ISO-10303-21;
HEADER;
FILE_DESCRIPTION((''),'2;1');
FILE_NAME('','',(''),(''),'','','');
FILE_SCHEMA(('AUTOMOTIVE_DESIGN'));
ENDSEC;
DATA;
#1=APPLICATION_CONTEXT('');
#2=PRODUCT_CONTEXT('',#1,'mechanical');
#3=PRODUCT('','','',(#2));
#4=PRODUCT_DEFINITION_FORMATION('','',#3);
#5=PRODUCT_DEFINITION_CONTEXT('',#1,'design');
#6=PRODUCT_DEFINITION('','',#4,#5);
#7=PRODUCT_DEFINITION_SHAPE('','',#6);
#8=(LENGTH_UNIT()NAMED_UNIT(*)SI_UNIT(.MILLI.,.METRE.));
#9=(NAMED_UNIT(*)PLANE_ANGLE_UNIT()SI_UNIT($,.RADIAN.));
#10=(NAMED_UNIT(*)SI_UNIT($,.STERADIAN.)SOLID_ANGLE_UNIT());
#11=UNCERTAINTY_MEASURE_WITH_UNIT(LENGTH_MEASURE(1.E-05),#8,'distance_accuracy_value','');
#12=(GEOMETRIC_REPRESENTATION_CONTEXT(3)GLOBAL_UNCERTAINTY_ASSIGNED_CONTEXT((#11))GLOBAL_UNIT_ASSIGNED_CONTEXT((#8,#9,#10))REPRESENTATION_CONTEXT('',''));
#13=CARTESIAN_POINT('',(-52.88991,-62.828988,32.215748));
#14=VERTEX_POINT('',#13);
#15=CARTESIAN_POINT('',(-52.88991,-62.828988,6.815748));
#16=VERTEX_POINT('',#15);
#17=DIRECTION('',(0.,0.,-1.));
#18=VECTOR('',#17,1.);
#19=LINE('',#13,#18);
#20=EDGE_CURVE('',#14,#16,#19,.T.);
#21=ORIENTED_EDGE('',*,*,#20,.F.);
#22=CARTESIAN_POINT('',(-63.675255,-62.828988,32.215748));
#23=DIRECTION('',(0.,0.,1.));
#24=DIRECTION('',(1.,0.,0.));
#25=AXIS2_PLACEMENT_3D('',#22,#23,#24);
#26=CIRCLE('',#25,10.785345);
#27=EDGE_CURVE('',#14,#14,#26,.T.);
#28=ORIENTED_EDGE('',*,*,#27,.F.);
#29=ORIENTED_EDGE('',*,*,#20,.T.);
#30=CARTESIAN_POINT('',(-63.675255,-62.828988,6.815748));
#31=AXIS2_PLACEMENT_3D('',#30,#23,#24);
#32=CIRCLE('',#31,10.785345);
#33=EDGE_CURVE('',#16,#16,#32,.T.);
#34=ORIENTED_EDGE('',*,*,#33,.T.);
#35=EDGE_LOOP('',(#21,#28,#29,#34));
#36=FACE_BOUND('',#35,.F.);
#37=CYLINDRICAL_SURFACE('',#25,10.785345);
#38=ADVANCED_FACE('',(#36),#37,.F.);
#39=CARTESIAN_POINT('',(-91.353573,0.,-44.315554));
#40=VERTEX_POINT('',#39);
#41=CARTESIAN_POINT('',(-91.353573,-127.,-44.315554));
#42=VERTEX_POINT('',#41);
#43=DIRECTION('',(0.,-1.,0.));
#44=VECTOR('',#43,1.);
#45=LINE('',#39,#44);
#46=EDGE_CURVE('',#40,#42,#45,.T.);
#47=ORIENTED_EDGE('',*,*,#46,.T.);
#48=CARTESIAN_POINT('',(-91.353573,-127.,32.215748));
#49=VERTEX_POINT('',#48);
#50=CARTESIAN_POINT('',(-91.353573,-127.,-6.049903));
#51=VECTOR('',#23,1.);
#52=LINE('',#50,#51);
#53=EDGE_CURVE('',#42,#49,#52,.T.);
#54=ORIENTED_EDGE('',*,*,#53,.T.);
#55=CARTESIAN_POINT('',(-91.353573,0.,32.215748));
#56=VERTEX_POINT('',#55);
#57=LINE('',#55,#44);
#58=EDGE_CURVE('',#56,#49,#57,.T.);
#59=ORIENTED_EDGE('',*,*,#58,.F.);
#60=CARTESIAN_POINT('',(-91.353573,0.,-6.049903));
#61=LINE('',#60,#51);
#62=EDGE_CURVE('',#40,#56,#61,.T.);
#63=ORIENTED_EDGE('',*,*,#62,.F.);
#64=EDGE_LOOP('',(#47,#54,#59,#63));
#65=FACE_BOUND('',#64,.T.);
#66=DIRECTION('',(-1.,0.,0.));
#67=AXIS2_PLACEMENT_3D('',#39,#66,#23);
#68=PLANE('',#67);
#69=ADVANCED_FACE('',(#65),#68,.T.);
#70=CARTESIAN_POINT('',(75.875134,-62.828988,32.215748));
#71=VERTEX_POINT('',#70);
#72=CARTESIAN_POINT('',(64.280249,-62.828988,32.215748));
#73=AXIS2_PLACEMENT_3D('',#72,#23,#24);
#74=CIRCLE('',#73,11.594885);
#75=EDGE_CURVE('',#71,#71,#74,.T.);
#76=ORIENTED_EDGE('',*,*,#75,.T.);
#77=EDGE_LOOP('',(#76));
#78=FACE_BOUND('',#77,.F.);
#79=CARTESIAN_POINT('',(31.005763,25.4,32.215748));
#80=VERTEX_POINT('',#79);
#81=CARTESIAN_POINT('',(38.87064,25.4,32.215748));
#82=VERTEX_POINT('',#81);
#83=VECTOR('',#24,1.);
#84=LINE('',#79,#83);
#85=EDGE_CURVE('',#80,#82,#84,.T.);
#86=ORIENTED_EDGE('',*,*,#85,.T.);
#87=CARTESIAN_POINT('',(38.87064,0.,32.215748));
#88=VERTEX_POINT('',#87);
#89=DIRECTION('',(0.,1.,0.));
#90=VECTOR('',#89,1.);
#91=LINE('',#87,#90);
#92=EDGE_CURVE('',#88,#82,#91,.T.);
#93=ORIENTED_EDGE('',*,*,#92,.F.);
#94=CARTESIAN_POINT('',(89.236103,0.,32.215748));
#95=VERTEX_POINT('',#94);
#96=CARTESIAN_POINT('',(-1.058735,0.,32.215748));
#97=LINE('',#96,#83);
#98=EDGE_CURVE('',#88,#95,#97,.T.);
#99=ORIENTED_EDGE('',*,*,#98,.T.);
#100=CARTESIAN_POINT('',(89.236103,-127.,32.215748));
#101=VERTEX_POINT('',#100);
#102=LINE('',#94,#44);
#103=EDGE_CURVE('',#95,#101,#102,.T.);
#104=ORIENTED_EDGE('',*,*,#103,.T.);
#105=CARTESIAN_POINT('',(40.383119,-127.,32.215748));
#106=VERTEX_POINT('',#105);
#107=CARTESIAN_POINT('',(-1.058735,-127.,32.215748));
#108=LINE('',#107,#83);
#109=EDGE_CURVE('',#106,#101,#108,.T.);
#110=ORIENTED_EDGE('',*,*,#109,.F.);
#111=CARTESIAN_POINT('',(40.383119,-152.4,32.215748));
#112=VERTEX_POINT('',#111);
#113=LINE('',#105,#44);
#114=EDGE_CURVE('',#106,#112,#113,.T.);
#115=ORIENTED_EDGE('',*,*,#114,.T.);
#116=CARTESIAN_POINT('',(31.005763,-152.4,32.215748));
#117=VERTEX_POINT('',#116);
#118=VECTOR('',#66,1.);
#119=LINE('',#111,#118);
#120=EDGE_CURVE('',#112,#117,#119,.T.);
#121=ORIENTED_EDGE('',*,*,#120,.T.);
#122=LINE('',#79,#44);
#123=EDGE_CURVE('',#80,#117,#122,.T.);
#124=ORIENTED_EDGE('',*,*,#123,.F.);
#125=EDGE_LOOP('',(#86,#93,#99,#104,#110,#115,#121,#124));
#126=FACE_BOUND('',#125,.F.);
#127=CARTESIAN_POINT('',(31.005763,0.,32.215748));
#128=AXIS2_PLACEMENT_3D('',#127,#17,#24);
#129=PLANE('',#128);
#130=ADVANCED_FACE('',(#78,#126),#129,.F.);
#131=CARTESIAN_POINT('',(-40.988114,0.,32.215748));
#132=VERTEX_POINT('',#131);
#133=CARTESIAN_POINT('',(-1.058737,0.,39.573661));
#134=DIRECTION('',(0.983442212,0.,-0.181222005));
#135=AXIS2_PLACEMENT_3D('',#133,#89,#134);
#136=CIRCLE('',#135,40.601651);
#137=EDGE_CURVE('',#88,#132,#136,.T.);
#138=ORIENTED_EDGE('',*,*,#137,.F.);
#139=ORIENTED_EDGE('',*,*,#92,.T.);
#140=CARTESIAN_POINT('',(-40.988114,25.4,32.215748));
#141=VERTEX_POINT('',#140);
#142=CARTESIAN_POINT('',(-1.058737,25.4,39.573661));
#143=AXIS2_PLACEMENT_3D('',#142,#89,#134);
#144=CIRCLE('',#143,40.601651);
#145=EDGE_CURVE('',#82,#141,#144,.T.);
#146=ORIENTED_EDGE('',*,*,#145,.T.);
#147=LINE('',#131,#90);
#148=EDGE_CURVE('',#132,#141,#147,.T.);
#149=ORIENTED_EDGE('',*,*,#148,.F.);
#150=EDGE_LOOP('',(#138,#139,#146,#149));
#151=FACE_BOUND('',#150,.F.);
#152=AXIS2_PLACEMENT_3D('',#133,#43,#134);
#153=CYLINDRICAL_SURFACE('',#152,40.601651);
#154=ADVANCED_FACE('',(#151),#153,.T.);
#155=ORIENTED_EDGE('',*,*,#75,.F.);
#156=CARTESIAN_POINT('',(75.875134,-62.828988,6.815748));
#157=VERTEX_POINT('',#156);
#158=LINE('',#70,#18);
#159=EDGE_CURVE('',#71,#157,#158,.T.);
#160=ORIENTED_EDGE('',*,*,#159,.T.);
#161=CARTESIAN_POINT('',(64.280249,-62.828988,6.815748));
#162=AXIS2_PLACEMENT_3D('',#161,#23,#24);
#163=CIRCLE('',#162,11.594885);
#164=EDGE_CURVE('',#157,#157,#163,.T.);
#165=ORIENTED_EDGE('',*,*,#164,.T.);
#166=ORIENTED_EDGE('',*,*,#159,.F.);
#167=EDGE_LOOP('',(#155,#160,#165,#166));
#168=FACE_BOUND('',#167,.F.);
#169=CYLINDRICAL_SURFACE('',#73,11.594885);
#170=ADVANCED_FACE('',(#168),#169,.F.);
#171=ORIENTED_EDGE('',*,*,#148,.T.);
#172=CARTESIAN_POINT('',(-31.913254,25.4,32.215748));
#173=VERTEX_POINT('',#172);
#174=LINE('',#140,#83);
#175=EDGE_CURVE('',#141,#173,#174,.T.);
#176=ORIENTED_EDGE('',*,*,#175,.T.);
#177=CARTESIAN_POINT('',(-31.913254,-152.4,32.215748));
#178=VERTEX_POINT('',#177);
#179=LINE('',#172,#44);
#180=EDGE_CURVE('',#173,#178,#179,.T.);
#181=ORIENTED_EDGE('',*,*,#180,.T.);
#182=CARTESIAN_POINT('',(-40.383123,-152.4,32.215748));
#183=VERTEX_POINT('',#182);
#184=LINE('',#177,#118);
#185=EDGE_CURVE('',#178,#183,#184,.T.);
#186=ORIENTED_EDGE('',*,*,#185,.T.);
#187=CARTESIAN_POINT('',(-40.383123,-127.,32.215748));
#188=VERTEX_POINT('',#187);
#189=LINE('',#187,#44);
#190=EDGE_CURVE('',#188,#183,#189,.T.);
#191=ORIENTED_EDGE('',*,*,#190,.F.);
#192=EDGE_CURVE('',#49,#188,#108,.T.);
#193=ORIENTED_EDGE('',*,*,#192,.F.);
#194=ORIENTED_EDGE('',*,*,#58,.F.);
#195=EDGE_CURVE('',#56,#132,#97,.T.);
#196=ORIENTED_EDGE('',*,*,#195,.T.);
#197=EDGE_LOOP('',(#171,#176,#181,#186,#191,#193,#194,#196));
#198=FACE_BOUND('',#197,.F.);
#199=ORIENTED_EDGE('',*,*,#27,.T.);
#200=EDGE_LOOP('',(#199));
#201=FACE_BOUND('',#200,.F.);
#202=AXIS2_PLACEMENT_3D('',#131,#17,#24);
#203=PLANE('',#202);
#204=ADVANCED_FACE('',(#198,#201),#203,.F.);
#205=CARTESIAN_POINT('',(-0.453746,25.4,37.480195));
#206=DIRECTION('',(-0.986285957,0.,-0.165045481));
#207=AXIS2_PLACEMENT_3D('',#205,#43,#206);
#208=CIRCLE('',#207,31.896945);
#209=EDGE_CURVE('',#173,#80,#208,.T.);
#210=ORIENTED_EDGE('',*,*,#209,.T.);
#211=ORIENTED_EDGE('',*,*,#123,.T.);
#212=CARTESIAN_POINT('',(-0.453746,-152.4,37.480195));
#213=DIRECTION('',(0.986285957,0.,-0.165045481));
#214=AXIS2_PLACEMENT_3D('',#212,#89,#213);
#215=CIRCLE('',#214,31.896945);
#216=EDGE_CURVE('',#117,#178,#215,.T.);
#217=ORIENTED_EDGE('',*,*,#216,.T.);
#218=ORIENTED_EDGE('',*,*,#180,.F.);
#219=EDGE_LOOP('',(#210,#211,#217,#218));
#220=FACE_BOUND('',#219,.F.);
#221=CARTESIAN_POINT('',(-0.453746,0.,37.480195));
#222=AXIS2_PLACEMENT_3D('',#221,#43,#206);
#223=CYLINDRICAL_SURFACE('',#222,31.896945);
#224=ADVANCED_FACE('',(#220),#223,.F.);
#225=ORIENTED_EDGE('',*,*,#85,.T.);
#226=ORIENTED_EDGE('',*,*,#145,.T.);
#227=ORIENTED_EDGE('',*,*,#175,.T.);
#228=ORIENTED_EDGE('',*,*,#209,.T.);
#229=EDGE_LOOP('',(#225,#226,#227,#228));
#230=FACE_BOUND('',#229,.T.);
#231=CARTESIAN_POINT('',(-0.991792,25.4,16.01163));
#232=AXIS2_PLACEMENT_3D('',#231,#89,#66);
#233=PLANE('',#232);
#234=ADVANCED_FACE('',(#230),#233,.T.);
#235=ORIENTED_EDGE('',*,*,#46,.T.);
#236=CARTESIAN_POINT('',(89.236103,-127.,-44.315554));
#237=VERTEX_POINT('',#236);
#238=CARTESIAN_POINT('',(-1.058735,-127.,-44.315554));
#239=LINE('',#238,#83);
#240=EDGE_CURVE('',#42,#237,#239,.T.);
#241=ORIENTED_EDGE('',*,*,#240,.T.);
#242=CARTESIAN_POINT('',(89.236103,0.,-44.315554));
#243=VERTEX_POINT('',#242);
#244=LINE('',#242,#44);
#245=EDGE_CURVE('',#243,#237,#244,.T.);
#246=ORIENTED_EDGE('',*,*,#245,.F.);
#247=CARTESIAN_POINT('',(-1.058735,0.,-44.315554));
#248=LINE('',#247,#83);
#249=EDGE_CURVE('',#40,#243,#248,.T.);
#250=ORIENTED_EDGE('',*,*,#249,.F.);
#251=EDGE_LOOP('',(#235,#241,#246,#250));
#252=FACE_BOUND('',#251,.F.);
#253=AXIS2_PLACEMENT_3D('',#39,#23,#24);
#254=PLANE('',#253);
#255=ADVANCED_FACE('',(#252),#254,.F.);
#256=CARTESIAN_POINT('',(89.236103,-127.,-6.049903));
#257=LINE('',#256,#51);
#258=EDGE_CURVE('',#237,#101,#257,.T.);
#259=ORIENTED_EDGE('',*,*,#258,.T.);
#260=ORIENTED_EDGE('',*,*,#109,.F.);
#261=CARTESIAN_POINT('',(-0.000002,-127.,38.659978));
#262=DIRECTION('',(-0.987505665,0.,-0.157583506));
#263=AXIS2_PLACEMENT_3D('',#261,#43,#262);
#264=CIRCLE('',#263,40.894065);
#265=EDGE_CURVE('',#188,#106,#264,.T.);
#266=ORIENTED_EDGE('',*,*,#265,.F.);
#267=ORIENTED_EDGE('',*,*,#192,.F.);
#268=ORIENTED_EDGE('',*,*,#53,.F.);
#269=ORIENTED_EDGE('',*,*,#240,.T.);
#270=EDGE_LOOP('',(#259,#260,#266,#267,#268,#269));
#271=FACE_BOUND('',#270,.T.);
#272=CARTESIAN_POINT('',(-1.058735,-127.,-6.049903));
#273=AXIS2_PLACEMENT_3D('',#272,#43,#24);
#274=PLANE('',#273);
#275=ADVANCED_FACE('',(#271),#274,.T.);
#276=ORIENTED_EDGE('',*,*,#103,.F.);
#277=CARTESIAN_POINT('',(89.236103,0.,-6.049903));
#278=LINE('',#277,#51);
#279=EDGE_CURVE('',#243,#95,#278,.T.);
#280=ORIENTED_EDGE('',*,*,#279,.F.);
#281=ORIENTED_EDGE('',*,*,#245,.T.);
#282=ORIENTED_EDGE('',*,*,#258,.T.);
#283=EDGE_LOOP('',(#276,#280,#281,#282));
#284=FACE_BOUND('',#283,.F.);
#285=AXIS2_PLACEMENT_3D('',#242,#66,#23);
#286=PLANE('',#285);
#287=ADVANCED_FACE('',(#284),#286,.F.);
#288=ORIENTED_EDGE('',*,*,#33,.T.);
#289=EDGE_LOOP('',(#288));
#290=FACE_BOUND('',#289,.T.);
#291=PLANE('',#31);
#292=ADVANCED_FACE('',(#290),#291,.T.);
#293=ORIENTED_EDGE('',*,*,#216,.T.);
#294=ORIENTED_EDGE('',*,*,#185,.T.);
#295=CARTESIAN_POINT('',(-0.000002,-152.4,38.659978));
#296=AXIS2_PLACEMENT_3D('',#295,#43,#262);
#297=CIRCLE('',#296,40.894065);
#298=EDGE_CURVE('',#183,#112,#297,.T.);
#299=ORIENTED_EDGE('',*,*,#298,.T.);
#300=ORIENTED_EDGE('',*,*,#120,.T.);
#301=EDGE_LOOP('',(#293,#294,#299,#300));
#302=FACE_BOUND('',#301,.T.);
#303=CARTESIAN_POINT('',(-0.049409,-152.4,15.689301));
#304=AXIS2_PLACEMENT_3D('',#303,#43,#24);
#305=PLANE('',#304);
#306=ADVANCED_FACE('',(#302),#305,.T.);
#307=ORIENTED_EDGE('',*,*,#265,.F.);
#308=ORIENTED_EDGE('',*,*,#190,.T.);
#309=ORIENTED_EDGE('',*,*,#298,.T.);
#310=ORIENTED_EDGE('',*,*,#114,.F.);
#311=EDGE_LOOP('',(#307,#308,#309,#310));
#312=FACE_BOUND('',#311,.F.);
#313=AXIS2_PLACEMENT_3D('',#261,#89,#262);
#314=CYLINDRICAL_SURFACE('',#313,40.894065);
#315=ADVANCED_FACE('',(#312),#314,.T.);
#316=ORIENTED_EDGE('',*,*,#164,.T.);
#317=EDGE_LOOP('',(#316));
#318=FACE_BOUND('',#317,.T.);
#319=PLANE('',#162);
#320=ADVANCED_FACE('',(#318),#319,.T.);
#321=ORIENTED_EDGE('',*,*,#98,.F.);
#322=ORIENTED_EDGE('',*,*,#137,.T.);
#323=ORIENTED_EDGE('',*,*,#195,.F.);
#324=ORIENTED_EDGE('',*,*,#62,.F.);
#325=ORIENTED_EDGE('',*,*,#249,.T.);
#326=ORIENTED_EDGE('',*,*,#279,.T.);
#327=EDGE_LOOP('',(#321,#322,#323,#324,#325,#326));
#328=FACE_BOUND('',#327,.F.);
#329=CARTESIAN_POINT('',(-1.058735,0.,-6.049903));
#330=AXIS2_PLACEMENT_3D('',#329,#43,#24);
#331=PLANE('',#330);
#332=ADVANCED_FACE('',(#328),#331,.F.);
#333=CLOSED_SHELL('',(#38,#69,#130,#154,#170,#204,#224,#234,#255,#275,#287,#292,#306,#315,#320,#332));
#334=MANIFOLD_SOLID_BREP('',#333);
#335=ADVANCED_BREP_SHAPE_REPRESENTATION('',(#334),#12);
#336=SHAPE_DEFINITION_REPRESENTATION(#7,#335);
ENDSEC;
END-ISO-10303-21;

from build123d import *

# Parameters (mm, degrees)
F0_W      = 180.589676
F0_H      = 76.531302
F1_DEPTH  = 127
F4_DEPTH  = 127.001
F6_DEPTH  = 25.4
F8_DEPTH  = 25.4
F9_R      = 10.785345
F9_R_2    = 11.594885
F10_DEPTH = 25.4


with BuildPart() as f1:
    # F0 (on Front) → F1 (new body)
    with BuildSketch(Plane.XZ):
        with Locations((-1.058735, -6.049903)):
            Rectangle(F0_W, F0_H)
    extrude(amount=F1_DEPTH)

    # F2 (on face) → F4 (cut, through all)
    with BuildSketch(Plane.XZ.offset(127)):
        with BuildLine():
            Line((31.005763, 32.215748), (-31.913254, 32.215748))
            ThreePointArc((-31.913254, 32.215748), (-0.453746, 5.58325), (31.005763, 32.215748))
        make_face()
    extrude(amount=-F4_DEPTH, mode=Mode.SUBTRACT)

    # F3 (on face) → F6 (join)
    with BuildSketch(Plane.XZ.offset(127)):
        with BuildLine():
            ThreePointArc((31.005763, 32.215748), (-0.453746, 5.58325), (-31.913254, 32.215748))
            Line((-31.913254, 32.215748), (-40.383123, 32.215748))
            ThreePointArc((-40.383123, 32.215748), (-2e-06, -2.234087), (40.383119, 32.215748))
            Line((40.383119, 32.215748), (31.005763, 32.215748))
        make_face()
    extrude(amount=F6_DEPTH)

    # F7 (on face) → F8 (join)
    with BuildSketch(Plane(origin=(0, 0, 0), x_dir=(-1, 0, 0), z_dir=(0, 1, 0))):
        with BuildLine():
            Line((-31.005763, 32.215748), (-38.87064, 32.215748))
            ThreePointArc((-38.87064, 32.215748), (1.058737, -1.02799), (40.988114, 32.215748))
            Line((40.988114, 32.215748), (31.913254, 32.215748))
            ThreePointArc((31.913254, 32.215748), (0.453746, 5.58325), (-31.005763, 32.215748))
        make_face()
    extrude(amount=F8_DEPTH)

    # F9 (on face) → F10 (cut)
    with BuildSketch(Plane.XY.offset(32.215748)):
        with Locations((-63.675255, -62.828988)):
            Circle(F9_R)
        with Locations((64.280249, -62.828988)):
            Circle(F9_R_2)
    extrude(amount=-F10_DEPTH, mode=Mode.SUBTRACT)


solid = f1.part
